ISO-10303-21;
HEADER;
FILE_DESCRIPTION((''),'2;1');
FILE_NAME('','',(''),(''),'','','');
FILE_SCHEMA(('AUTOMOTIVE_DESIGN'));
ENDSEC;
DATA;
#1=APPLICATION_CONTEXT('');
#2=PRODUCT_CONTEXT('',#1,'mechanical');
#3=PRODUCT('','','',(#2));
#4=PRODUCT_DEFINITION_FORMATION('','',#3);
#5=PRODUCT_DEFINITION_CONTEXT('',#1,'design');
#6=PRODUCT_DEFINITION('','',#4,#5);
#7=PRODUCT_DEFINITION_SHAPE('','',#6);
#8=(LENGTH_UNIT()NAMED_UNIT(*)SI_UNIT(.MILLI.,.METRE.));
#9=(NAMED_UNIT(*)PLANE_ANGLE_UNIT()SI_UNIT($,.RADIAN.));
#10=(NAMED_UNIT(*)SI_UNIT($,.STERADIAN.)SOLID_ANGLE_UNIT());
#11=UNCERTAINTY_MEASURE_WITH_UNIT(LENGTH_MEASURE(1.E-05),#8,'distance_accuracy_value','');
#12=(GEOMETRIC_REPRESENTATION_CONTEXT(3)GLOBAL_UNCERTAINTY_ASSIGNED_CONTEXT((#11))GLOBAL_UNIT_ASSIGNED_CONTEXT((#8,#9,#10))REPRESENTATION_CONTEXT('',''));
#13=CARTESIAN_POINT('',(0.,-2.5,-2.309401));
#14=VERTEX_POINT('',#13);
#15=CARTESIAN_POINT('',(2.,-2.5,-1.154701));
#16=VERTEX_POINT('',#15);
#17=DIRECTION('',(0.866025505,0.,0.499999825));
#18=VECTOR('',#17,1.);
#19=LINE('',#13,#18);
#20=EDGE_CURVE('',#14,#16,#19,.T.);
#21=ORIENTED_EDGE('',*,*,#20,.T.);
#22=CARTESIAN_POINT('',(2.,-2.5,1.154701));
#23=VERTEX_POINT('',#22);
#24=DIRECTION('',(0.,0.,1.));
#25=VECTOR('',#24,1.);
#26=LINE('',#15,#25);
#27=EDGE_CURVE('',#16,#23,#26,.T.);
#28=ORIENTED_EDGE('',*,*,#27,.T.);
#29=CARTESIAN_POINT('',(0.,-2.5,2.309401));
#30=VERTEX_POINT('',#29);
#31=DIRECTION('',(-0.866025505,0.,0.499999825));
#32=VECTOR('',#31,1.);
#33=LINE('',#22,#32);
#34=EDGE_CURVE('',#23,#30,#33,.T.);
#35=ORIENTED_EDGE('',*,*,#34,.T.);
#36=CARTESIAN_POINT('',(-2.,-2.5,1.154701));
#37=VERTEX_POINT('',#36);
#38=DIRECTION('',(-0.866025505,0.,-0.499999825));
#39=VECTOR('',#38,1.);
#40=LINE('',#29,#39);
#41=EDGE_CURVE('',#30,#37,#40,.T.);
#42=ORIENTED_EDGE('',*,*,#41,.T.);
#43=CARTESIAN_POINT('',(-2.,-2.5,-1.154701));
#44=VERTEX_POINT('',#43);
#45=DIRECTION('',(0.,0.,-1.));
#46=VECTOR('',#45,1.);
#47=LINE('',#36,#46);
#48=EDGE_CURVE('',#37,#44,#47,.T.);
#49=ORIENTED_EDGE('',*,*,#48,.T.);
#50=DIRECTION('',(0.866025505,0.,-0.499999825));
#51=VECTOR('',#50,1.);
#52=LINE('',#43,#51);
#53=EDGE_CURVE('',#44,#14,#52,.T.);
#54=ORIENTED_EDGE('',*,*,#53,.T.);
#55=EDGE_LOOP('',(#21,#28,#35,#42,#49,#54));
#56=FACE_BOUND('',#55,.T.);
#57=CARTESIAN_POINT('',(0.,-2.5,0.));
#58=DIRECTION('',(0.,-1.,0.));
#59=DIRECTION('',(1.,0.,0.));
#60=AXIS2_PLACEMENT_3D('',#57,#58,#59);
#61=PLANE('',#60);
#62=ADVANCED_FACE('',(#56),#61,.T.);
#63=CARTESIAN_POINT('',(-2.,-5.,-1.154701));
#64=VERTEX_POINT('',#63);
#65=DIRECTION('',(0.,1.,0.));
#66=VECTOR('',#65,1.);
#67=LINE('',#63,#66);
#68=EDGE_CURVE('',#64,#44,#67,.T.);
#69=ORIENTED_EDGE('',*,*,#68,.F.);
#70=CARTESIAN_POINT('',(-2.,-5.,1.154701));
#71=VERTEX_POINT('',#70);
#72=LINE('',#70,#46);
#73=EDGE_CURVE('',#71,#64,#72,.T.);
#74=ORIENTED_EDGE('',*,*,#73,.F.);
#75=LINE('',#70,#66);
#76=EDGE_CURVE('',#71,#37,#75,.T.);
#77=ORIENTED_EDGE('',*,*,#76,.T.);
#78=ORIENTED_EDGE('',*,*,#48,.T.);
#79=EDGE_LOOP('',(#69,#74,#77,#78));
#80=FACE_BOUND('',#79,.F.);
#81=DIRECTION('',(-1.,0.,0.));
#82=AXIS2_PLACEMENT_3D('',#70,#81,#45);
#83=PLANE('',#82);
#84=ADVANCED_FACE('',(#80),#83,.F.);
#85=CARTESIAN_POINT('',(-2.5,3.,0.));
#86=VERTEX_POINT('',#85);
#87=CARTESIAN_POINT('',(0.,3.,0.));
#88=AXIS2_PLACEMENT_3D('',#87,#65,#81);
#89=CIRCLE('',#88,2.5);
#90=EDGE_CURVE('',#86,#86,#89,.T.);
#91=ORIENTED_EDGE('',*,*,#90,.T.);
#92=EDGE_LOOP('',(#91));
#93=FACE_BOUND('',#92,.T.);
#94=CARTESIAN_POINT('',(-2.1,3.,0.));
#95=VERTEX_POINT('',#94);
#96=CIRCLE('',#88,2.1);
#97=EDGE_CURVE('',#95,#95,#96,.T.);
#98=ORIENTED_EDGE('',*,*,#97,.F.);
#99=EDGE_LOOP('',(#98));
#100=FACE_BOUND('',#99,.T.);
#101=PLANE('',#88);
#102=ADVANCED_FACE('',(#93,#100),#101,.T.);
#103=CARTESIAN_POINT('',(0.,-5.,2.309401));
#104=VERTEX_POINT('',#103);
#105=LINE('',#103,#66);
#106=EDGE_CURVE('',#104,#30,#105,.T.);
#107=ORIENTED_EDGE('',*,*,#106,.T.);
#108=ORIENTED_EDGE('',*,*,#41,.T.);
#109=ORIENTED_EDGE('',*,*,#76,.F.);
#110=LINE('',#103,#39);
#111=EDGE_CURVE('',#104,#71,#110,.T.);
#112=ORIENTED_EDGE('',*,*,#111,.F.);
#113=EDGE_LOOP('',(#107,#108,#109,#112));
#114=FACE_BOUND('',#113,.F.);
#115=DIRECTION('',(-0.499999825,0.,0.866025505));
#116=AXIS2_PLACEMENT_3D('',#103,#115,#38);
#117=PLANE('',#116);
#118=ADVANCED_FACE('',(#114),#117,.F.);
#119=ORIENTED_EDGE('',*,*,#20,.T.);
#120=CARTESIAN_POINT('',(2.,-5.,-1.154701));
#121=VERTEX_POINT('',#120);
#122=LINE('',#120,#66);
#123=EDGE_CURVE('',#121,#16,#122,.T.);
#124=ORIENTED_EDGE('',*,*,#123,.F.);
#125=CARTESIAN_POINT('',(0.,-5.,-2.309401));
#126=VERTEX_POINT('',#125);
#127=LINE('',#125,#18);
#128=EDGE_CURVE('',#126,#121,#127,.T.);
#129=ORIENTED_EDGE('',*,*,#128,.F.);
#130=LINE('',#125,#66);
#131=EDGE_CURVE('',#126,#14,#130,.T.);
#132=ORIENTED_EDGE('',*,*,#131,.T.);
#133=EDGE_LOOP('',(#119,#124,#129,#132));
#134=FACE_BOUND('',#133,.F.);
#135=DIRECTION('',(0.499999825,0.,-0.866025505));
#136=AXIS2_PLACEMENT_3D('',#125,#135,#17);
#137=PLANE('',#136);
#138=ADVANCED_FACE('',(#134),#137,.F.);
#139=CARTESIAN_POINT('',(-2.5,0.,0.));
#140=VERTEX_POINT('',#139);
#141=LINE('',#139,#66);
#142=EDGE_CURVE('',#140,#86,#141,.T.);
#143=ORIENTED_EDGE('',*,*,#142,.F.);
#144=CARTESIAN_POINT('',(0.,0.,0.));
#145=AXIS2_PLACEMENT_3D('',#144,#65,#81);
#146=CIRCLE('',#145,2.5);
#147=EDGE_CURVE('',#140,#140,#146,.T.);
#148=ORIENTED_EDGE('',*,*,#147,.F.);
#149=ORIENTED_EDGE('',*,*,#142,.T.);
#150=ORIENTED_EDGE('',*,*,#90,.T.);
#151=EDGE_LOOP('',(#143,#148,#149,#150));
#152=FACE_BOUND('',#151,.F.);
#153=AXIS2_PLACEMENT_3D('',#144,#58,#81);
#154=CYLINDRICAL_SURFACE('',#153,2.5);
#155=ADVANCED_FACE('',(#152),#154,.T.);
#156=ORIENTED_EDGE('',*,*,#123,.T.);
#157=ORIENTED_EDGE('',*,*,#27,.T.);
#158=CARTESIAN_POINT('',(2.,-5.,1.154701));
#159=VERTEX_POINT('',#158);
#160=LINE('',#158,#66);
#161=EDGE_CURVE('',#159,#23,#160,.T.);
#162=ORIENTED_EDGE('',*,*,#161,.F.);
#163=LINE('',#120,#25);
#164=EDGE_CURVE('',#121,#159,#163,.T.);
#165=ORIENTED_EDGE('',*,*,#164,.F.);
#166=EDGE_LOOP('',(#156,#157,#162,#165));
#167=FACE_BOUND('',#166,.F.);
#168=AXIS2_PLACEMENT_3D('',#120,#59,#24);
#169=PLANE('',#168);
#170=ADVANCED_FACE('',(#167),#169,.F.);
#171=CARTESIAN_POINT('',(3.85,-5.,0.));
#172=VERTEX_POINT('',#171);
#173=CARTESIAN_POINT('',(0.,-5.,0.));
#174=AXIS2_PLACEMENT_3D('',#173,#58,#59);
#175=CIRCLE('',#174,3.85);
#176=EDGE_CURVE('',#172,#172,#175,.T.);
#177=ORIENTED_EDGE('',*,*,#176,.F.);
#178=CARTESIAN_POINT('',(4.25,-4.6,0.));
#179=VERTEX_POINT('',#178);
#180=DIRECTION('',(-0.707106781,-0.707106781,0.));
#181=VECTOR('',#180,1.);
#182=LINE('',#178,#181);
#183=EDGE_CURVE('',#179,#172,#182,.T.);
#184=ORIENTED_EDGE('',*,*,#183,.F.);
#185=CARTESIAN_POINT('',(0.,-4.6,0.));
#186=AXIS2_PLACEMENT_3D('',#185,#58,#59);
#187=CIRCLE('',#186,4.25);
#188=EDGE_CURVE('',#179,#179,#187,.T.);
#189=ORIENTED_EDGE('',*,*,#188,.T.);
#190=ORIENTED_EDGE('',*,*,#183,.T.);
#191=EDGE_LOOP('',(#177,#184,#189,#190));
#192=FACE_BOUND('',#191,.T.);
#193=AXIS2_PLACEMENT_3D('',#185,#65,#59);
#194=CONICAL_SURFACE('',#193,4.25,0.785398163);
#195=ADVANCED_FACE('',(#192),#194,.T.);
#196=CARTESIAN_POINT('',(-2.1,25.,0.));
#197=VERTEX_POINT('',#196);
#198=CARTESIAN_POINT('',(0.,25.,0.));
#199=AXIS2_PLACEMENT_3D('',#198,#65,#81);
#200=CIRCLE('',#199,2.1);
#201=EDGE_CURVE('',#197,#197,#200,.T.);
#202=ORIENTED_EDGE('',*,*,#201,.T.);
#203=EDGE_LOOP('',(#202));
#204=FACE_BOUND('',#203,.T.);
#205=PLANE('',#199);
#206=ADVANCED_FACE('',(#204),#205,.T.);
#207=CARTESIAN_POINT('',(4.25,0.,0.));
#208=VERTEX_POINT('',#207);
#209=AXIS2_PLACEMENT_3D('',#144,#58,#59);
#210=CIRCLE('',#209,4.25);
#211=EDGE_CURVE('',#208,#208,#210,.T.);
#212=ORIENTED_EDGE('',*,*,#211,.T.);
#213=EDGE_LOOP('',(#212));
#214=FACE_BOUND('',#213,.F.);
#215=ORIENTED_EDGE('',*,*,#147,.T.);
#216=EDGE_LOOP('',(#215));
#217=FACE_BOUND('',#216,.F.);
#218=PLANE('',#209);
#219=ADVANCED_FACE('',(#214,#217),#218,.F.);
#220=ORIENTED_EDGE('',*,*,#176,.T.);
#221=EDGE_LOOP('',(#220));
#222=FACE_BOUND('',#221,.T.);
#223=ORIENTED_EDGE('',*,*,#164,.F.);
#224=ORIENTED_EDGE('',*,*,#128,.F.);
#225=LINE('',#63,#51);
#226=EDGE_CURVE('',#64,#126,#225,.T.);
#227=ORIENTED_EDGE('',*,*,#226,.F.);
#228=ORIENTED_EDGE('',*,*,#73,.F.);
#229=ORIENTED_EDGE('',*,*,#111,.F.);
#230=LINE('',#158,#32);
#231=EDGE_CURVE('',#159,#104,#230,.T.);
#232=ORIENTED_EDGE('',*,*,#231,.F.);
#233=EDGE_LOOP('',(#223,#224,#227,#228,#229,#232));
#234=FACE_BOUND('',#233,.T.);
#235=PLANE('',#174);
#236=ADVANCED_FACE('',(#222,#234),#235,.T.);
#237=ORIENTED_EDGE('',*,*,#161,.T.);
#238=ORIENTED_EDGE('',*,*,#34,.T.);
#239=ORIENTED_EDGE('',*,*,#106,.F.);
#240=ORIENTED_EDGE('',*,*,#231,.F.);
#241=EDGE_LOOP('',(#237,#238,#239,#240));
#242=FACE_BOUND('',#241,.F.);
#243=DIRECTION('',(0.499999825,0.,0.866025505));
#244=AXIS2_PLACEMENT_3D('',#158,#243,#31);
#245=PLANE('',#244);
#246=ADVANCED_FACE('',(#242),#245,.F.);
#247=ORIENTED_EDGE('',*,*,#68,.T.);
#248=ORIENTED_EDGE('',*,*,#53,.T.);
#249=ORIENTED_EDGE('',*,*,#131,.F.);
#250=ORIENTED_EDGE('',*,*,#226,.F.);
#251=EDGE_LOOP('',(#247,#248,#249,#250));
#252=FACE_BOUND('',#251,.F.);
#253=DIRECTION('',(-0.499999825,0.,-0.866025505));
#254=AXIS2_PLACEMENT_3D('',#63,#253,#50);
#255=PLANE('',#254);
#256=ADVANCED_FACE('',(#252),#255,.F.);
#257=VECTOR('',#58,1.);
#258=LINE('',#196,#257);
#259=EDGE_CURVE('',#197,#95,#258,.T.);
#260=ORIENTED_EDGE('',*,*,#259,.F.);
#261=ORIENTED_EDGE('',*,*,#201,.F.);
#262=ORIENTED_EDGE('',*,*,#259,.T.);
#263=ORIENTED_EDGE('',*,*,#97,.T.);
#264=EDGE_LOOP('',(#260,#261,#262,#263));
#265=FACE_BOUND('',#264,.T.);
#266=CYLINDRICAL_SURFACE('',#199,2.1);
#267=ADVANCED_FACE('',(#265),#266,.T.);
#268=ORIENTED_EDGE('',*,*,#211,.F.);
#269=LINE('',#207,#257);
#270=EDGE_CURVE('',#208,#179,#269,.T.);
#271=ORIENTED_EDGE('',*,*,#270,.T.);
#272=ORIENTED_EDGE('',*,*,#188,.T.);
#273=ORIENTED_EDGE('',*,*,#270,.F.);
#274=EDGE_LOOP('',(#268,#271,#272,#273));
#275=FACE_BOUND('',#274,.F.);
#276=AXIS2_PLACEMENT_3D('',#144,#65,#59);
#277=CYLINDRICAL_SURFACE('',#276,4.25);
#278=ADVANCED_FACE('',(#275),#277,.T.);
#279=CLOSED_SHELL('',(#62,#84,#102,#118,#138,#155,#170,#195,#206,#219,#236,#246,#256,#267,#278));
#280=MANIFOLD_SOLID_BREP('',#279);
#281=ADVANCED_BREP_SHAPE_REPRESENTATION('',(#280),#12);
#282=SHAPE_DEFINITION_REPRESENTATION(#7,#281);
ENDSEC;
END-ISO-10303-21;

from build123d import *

# Parameters (mm, degrees)
F0_R     = 4.25
F1_DEPTH = 5
F2_R     = 2.5
F3_DEPTH = 25
F4_R     = 2.5
F4_R_2   = 2.1
F5_DEPTH = 22
F7_DEPTH = 2.5
F8_SIZE  = 0.4


with BuildPart() as f1:
    # F0 (on Front) → F1 (new body)
    with BuildSketch(Plane.XZ):
        Circle(F0_R)
    extrude(amount=F1_DEPTH)

    # F2 (on face) → F3 (join)
    with BuildSketch(Plane(origin=(0, 0, 0), x_dir=(-1, 0, 0), z_dir=(0, 1, 0))):
        Circle(F2_R)
    extrude(amount=F3_DEPTH)

    # F4 (on face) → F5 (cut)
    with BuildSketch(Plane(origin=(0, 25, 0), x_dir=(-1, 0, 0), z_dir=(0, 1, 0))):
        Circle(F4_R)
        Circle(F4_R_2, mode=Mode.SUBTRACT)
    extrude(amount=-F5_DEPTH, mode=Mode.SUBTRACT)

    # F6 (on face) → F7 (cut)
    with BuildSketch(Plane.XZ.offset(5)):
        Polygon((0, -2.309401), (2, -1.154701), (2, 1.154701), (0, 2.309401), (-2, 1.154701), (-2, -1.154701), align=None)
    extrude(amount=-F7_DEPTH, mode=Mode.SUBTRACT)

    # F8
    f8_edges = [f1.edges().sort_by_distance(p)[0] for p in [
        (-4.25, -5, 0),
    ]]
    chamfer(f8_edges, length=F8_SIZE)


solid = f1.part
